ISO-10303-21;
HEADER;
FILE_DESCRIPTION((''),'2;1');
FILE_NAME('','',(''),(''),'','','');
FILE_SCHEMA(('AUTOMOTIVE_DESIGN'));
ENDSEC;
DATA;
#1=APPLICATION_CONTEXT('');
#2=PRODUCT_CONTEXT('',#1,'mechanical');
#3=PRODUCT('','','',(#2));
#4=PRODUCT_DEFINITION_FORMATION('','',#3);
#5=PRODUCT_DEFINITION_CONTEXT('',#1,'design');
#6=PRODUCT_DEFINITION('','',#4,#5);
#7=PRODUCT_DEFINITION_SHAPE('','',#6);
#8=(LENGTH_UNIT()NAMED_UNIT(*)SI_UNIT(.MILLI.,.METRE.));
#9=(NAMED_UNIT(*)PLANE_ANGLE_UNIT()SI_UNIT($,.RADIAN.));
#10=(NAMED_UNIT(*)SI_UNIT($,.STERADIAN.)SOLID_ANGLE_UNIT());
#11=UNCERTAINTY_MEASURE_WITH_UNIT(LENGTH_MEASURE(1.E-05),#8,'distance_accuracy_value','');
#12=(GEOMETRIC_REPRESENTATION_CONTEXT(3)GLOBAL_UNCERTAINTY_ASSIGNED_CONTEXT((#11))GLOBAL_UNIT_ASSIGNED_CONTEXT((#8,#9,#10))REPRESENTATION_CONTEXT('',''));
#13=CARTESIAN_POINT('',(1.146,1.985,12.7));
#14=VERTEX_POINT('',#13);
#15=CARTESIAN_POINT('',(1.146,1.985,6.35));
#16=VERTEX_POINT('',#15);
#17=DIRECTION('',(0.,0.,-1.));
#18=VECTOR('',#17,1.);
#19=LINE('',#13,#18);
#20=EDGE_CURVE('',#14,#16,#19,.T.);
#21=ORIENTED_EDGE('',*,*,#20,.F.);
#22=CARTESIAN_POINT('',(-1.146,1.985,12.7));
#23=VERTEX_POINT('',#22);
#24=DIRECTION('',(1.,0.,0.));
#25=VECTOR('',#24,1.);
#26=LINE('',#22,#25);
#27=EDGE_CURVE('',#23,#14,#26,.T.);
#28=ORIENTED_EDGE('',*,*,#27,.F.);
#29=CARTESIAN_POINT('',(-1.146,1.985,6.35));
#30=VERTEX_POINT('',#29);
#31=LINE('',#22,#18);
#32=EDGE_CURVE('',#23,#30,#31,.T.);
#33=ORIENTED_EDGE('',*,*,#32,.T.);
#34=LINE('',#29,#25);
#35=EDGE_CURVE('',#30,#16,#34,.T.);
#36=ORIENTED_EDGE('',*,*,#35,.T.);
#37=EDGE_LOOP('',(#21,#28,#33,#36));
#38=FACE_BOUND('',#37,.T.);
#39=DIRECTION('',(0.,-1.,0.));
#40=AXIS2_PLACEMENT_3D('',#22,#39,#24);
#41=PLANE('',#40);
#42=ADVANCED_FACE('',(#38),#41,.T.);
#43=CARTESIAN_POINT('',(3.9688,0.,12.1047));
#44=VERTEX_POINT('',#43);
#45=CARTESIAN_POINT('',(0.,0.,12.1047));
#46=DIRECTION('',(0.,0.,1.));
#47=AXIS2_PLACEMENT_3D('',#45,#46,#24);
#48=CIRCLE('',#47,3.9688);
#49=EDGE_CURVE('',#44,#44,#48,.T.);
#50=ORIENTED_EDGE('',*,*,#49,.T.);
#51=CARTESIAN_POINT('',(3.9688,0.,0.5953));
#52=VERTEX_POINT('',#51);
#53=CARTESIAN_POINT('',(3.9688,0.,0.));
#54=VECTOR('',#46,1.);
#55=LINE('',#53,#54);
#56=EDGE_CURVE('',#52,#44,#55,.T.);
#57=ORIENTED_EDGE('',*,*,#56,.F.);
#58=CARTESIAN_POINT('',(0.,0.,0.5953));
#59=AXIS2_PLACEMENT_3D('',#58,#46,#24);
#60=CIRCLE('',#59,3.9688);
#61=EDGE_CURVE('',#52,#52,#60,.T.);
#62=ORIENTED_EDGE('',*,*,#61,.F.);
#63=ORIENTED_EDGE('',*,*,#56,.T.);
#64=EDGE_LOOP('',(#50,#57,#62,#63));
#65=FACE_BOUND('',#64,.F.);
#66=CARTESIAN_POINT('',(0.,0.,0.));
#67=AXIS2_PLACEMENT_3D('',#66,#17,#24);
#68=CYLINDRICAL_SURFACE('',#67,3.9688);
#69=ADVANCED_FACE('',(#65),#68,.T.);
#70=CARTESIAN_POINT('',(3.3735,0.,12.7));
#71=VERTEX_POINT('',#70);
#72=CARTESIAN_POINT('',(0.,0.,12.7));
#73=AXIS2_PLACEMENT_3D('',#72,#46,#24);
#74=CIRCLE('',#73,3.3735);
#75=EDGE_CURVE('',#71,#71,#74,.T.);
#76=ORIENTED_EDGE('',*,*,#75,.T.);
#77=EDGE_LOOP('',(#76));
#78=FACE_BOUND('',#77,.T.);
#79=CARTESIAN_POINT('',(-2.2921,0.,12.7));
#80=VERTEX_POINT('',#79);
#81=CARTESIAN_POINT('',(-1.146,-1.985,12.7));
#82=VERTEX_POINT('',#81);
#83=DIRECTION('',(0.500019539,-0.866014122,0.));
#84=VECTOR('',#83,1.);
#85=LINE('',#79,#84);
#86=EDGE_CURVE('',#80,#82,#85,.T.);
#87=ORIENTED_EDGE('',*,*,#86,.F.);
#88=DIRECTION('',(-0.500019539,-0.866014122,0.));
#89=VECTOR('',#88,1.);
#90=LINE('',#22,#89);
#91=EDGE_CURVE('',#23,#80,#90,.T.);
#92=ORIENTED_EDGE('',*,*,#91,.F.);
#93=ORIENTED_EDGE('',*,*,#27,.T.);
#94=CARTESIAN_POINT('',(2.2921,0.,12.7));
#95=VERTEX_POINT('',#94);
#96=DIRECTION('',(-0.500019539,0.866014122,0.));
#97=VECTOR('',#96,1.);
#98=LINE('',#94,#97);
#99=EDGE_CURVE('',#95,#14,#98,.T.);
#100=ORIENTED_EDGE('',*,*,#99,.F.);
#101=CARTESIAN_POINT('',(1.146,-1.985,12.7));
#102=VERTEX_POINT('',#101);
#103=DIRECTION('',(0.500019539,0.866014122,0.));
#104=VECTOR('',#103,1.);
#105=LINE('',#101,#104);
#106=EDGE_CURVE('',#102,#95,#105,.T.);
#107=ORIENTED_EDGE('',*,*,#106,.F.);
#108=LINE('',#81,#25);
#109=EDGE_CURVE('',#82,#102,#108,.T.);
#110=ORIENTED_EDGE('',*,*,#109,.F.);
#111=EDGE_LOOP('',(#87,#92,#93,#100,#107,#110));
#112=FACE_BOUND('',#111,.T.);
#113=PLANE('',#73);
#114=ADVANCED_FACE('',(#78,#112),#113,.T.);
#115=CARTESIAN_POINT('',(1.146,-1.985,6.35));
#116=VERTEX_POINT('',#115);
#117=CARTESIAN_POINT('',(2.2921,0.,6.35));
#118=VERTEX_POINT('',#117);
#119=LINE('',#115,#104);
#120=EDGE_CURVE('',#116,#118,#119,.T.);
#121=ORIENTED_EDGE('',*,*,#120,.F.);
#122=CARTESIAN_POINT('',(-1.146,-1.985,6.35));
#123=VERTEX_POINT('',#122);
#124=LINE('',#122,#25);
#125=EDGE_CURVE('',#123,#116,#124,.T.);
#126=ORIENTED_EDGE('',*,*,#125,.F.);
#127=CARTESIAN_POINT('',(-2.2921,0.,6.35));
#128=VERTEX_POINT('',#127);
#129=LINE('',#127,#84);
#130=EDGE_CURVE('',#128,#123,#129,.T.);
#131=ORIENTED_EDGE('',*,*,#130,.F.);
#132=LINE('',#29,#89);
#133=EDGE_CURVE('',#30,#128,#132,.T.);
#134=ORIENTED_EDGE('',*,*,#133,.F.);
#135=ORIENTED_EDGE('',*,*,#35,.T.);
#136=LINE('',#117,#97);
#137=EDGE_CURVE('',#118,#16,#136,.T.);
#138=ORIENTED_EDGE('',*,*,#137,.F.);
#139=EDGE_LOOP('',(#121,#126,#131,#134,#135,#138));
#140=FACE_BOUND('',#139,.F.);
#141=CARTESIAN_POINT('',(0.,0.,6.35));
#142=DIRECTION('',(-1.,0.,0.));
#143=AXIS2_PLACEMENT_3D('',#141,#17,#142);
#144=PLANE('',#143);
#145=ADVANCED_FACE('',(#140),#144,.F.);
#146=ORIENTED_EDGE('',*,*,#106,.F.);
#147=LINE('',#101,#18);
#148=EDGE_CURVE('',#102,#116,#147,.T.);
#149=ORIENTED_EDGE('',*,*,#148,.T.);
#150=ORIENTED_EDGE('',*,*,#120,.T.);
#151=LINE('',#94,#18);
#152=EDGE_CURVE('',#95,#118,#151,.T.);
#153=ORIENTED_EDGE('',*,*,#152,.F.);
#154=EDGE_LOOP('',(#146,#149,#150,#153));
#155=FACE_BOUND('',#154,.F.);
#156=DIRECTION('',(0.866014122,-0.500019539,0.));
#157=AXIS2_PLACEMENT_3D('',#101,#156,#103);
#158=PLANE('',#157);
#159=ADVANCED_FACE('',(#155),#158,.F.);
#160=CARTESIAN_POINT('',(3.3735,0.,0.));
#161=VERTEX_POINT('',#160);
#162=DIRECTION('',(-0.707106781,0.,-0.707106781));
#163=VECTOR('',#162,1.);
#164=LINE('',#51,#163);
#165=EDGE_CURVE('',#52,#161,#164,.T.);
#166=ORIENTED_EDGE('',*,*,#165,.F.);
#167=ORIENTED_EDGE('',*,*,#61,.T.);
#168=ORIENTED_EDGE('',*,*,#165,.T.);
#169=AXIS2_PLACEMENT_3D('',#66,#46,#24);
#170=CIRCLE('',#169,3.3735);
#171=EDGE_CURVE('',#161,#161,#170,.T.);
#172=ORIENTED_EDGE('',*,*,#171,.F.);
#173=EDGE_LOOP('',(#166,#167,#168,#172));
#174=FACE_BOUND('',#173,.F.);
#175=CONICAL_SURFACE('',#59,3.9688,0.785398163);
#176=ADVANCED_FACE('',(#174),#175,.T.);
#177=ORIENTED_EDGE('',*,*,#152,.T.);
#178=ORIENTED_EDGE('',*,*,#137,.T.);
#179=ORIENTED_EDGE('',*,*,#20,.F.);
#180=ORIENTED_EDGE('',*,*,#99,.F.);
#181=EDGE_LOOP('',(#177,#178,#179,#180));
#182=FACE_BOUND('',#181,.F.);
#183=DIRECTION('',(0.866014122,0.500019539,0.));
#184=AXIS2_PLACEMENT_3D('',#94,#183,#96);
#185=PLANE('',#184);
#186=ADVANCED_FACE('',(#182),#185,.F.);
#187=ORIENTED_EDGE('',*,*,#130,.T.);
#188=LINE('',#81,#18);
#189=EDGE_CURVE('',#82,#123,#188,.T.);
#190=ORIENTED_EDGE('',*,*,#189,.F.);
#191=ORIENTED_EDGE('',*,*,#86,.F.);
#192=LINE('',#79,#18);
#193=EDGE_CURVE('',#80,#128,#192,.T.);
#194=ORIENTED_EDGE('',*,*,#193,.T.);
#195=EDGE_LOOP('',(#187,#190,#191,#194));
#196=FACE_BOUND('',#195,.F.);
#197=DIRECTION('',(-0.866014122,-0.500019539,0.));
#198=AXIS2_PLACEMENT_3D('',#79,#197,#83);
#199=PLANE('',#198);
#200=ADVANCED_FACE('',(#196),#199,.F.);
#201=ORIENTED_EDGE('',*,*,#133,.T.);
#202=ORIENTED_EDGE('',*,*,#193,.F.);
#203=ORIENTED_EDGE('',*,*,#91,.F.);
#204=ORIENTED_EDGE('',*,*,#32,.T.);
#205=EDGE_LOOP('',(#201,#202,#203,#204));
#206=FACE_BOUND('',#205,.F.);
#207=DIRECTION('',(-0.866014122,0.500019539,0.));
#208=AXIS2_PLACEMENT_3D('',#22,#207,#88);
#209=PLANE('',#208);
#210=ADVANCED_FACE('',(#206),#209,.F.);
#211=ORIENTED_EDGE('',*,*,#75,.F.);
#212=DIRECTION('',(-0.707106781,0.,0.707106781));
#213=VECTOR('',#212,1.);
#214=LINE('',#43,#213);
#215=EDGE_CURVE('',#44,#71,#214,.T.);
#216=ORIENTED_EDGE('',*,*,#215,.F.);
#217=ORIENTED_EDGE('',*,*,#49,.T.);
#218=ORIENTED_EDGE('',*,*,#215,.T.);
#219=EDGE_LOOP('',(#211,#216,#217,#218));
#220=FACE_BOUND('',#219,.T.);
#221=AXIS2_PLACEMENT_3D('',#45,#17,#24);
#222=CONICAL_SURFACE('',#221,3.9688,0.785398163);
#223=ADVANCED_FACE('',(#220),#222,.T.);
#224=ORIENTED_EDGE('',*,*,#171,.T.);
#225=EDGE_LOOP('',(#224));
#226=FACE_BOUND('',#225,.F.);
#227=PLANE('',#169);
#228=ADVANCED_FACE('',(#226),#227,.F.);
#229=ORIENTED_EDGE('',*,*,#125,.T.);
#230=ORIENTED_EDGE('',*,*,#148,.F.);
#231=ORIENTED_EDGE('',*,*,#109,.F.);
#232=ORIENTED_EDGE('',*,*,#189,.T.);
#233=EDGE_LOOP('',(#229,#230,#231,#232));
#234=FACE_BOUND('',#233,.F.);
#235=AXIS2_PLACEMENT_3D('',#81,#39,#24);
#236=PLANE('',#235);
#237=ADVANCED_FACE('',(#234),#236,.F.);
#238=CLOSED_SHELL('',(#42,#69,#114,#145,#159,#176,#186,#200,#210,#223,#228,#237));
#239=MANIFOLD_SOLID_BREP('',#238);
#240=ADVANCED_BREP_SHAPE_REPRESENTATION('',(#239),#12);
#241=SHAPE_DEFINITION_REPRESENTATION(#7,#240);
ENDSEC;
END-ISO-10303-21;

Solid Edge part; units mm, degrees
sketch "Sketch1" plane through (0, 0, 0) normal (0, 0, 1) x (1, 0, 0)
  circle A0 centre (0, 0) radius 3.9688
  dimension "D1" = 7.9375
extrude "Protrusion1" add sketch "Sketch1" along normal blind 12.7
chamfer "Chamfer1" distance 0.5953 angle 45 2 edges at (-3.9687, 0, 0) (-3.9687, 0, 12.7)
sketch "Sketch2" plane through (0, 0, 12.7) normal (0, 0, 1) x (1, 0, 0)
  line L0 (-1.146, 1.985) -> (1.146, 1.985)
  line L1 (2.2921, 0) -> (1.146, 1.985)
  line L2 (1.146, -1.985) -> (2.2921, 0)
  line L3 (-1.146, -1.985) -> (1.146, -1.985)
  line L4 (-2.2921, 0) -> (-1.146, -1.985)
  line L5 (-1.146, 1.985) -> (-2.2921, 0)
  dimension "D1" = 3.97
extrude "Cutout1" cut sketch "Sketch2" against normal blind 6.35
properties part number "24107663"
